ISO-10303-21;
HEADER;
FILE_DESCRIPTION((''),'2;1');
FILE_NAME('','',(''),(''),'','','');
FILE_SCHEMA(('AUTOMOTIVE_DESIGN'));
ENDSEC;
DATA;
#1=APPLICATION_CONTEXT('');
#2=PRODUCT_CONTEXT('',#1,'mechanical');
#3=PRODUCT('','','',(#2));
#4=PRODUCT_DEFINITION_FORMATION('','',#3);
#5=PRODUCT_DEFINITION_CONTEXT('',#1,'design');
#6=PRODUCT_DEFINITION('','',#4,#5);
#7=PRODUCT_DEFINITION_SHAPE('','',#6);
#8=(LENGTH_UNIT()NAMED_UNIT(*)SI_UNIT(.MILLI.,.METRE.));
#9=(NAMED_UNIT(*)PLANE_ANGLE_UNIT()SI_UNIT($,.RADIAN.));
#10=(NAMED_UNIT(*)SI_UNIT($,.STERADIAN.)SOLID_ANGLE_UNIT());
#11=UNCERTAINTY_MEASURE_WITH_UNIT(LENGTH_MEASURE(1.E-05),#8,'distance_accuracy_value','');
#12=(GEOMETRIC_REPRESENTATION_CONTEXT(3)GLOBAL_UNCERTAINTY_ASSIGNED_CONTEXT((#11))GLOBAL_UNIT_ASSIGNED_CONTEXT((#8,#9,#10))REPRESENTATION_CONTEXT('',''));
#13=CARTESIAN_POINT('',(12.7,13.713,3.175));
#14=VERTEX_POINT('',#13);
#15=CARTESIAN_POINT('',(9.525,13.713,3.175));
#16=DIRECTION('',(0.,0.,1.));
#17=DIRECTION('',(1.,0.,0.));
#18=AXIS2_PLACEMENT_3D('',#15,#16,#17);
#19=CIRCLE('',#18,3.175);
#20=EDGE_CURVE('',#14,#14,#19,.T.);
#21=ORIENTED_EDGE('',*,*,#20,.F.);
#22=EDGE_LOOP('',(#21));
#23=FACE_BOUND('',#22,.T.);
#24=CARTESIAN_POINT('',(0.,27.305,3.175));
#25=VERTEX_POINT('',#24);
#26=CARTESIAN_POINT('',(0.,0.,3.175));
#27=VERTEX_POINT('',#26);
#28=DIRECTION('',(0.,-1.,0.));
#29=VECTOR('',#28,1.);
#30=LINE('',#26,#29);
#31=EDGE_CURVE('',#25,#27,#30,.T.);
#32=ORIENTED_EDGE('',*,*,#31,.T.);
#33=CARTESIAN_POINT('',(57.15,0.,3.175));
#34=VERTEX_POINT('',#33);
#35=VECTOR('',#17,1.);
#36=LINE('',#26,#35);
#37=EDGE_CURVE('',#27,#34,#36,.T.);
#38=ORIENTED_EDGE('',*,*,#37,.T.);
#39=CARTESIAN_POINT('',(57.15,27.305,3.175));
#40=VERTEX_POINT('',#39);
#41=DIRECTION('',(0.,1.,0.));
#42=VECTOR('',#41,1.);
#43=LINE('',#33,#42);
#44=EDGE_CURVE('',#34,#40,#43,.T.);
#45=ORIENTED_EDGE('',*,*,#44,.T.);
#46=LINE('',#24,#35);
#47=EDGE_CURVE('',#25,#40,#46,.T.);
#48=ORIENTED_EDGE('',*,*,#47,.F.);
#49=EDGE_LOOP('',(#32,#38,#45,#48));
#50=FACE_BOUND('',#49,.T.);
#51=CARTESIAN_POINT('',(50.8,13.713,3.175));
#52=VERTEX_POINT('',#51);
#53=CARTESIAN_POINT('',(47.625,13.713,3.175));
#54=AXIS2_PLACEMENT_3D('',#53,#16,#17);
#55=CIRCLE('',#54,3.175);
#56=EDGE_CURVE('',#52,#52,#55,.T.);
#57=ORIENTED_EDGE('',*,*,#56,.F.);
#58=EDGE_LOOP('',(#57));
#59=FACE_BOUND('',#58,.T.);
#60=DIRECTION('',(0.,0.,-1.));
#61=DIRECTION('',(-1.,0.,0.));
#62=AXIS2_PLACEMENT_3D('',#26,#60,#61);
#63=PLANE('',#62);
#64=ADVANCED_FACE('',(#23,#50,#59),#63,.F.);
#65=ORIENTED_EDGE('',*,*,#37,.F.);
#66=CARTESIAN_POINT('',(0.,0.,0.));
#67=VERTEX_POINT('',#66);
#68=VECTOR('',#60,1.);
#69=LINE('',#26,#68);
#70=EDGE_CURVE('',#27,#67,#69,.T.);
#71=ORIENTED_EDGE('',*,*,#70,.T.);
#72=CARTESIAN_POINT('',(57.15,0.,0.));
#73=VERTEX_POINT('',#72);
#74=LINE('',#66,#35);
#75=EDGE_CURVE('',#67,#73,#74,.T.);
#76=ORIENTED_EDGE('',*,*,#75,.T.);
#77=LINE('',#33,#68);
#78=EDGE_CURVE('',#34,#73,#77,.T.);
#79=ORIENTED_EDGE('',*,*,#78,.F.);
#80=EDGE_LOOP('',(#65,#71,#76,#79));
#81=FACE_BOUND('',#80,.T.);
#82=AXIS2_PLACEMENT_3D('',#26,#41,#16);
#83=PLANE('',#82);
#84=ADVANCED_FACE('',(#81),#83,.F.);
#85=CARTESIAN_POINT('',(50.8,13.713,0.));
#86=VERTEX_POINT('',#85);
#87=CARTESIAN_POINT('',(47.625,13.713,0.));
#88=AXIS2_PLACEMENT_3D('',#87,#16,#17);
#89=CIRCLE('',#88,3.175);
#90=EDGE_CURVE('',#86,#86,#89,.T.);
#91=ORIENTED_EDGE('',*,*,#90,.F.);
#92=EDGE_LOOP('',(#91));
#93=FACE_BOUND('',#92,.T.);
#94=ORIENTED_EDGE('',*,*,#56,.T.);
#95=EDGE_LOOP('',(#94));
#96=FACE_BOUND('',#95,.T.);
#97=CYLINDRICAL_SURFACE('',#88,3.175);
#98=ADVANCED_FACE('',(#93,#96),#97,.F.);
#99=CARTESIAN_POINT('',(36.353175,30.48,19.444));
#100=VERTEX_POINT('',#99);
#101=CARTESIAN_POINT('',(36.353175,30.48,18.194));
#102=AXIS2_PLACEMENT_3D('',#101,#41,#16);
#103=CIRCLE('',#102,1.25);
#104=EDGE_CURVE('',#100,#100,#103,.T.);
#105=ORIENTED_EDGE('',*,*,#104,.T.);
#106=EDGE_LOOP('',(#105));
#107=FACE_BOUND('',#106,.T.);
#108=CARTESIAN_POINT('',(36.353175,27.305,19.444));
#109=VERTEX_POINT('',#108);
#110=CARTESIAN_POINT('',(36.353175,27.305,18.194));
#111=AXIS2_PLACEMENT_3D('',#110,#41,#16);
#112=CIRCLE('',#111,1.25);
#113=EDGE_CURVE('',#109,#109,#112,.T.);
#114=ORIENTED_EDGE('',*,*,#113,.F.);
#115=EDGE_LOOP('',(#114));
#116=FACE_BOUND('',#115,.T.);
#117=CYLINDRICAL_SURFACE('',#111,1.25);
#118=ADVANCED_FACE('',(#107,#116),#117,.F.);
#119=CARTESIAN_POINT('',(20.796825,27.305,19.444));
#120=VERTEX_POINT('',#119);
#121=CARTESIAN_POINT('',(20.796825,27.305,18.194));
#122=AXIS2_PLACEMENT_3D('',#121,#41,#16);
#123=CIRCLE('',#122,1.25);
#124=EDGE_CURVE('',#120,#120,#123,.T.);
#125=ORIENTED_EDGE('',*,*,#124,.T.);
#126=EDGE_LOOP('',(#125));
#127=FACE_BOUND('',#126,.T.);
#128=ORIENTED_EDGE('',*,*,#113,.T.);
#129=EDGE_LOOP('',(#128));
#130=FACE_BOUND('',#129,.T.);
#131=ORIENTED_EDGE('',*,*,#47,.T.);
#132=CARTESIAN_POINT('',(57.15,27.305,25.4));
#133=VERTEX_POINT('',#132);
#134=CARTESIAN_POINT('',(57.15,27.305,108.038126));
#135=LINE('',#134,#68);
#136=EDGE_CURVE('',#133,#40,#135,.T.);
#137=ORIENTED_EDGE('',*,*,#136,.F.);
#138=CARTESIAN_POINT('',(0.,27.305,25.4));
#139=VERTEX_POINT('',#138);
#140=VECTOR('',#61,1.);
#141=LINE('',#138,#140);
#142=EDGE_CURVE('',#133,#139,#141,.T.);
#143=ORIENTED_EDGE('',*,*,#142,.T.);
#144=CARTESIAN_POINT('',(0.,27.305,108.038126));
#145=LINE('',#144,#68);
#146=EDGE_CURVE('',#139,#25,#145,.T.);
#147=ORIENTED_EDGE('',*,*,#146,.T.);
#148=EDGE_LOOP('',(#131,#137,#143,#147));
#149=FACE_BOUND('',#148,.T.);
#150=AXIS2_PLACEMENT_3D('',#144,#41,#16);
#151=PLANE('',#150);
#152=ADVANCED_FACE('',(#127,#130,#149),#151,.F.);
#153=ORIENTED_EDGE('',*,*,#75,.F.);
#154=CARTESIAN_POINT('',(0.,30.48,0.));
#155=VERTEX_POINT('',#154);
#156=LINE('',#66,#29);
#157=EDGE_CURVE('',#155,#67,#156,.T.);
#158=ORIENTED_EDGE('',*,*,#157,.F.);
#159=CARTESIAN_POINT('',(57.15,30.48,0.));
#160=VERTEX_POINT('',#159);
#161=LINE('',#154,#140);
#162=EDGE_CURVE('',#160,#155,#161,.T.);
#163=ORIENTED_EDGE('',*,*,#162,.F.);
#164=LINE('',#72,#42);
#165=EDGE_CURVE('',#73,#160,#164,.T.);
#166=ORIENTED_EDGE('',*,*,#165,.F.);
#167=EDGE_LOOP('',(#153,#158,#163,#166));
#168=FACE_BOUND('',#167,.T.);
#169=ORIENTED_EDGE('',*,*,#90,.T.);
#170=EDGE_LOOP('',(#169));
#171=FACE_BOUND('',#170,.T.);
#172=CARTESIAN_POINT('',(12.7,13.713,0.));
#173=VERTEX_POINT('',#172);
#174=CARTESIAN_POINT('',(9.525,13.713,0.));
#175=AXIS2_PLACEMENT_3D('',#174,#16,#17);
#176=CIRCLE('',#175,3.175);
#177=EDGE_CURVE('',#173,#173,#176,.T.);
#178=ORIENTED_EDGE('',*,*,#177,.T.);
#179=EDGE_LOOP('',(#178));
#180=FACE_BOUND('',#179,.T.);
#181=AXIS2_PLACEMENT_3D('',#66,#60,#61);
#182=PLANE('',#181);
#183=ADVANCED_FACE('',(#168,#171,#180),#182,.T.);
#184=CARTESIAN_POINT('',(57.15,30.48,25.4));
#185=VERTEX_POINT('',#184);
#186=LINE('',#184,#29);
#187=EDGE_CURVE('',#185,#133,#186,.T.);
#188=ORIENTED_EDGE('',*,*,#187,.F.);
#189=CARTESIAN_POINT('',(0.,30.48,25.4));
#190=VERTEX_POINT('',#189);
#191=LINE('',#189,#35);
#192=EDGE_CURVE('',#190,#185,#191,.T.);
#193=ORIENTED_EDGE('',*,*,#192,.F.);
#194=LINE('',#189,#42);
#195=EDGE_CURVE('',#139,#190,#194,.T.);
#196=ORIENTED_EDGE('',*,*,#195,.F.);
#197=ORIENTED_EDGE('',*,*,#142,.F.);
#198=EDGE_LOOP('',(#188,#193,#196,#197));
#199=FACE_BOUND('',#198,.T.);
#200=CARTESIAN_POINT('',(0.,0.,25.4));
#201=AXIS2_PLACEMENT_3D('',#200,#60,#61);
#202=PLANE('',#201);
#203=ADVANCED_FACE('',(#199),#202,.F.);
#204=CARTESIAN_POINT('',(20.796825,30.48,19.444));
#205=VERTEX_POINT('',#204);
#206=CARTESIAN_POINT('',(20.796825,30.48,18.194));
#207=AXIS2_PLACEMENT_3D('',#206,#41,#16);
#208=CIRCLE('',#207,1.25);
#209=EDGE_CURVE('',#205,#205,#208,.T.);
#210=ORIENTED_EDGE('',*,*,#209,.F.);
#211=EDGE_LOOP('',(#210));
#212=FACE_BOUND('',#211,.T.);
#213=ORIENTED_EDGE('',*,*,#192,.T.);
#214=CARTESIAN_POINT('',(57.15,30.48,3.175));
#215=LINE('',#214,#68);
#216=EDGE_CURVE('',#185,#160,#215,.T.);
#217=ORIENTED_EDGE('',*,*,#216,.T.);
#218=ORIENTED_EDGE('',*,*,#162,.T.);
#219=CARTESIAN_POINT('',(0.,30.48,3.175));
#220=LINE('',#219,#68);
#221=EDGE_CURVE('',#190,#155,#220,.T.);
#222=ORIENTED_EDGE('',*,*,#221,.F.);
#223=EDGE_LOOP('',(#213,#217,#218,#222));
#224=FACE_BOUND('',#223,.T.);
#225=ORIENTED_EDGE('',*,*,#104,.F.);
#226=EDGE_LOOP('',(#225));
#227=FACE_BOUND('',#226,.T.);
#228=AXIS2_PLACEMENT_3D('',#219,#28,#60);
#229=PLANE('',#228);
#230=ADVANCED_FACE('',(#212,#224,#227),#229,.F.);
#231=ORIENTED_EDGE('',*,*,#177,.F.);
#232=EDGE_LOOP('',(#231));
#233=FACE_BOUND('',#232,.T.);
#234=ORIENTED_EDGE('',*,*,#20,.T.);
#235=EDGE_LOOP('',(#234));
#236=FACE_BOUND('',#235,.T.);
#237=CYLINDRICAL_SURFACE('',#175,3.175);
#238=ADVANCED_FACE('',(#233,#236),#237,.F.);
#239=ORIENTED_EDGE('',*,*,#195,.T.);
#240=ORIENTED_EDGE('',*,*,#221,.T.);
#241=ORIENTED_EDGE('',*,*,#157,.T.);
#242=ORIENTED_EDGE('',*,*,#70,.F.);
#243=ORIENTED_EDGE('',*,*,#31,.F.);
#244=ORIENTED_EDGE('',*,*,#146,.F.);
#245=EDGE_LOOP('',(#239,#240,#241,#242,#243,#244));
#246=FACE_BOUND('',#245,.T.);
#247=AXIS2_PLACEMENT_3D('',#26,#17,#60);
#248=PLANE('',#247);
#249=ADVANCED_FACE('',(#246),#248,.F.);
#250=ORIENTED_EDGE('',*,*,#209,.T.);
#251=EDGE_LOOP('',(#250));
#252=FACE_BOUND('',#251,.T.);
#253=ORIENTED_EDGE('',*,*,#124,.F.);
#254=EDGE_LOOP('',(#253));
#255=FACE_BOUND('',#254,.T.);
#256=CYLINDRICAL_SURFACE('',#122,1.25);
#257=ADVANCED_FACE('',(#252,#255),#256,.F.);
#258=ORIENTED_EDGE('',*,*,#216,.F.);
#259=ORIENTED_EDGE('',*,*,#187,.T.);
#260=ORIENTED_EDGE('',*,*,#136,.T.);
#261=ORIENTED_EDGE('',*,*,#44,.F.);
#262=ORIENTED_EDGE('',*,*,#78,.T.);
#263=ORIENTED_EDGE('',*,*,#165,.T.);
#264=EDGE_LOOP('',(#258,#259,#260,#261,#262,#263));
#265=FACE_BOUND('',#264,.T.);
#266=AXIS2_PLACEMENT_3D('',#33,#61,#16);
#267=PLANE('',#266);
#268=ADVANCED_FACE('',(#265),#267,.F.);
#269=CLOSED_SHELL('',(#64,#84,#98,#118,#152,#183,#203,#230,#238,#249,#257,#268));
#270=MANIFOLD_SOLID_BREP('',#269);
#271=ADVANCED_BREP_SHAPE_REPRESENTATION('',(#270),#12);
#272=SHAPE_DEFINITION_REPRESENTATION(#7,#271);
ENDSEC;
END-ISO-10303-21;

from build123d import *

# Parameters (mm, degrees)
SKETCH3_W           = 57.15
SKETCH3_H           = 30.48
BOSS_EXTRUDE2_DEPTH = 3.175
SKETCH4_W           = 57.15
SKETCH4_H           = 3.175
BOSS_EXTRUDE3_DEPTH = 22.225
SKETCH6_R           = 1.25
CUT_EXTRUDE1_DEPTH  = 3.175
SKETCH7_R           = 3.175
CUT_EXTRUDE2_DEPTH  = 3.175


with BuildPart() as part:
    # Sketch3 → Boss-Extrude2 (new body)
    with BuildSketch(Plane.XY):
        with Locations((28.575, 15.24)):
            Rectangle(SKETCH3_W, SKETCH3_H)
    extrude(amount=BOSS_EXTRUDE2_DEPTH)

    # Sketch4 → Boss-Extrude3 (add)
    with BuildSketch(Plane.XY.offset(3.175)):
        with Locations((28.575, 28.8925)):
            Rectangle(SKETCH4_W, SKETCH4_H)
    extrude(amount=BOSS_EXTRUDE3_DEPTH)

    # Sketch6 → Cut-Extrude1 (cut)
    with BuildSketch(Plane(origin=(0, 30.48, 0), x_dir=(1, 0, 0), z_dir=(0, 1, 0))):
        with Locations(Location((36.353174593, -18.1939997, 0), (0, 0, 270))):
            Circle(SKETCH6_R)
        with Locations(Location((20.796825407, -18.1939997, 0), (0, 0, 270))):
            Circle(SKETCH6_R)
    extrude(amount=-CUT_EXTRUDE1_DEPTH, mode=Mode.SUBTRACT)

    # Sketch7 → Cut-Extrude2 (cut)
    with BuildSketch(Plane.XY.offset(3.175)):
        with Locations((47.625, 13.713)):
            Circle(SKETCH7_R)
        with Locations((9.525, 13.713)):
            Circle(SKETCH7_R)
    extrude(amount=-CUT_EXTRUDE2_DEPTH, mode=Mode.SUBTRACT)


solid = part.part
